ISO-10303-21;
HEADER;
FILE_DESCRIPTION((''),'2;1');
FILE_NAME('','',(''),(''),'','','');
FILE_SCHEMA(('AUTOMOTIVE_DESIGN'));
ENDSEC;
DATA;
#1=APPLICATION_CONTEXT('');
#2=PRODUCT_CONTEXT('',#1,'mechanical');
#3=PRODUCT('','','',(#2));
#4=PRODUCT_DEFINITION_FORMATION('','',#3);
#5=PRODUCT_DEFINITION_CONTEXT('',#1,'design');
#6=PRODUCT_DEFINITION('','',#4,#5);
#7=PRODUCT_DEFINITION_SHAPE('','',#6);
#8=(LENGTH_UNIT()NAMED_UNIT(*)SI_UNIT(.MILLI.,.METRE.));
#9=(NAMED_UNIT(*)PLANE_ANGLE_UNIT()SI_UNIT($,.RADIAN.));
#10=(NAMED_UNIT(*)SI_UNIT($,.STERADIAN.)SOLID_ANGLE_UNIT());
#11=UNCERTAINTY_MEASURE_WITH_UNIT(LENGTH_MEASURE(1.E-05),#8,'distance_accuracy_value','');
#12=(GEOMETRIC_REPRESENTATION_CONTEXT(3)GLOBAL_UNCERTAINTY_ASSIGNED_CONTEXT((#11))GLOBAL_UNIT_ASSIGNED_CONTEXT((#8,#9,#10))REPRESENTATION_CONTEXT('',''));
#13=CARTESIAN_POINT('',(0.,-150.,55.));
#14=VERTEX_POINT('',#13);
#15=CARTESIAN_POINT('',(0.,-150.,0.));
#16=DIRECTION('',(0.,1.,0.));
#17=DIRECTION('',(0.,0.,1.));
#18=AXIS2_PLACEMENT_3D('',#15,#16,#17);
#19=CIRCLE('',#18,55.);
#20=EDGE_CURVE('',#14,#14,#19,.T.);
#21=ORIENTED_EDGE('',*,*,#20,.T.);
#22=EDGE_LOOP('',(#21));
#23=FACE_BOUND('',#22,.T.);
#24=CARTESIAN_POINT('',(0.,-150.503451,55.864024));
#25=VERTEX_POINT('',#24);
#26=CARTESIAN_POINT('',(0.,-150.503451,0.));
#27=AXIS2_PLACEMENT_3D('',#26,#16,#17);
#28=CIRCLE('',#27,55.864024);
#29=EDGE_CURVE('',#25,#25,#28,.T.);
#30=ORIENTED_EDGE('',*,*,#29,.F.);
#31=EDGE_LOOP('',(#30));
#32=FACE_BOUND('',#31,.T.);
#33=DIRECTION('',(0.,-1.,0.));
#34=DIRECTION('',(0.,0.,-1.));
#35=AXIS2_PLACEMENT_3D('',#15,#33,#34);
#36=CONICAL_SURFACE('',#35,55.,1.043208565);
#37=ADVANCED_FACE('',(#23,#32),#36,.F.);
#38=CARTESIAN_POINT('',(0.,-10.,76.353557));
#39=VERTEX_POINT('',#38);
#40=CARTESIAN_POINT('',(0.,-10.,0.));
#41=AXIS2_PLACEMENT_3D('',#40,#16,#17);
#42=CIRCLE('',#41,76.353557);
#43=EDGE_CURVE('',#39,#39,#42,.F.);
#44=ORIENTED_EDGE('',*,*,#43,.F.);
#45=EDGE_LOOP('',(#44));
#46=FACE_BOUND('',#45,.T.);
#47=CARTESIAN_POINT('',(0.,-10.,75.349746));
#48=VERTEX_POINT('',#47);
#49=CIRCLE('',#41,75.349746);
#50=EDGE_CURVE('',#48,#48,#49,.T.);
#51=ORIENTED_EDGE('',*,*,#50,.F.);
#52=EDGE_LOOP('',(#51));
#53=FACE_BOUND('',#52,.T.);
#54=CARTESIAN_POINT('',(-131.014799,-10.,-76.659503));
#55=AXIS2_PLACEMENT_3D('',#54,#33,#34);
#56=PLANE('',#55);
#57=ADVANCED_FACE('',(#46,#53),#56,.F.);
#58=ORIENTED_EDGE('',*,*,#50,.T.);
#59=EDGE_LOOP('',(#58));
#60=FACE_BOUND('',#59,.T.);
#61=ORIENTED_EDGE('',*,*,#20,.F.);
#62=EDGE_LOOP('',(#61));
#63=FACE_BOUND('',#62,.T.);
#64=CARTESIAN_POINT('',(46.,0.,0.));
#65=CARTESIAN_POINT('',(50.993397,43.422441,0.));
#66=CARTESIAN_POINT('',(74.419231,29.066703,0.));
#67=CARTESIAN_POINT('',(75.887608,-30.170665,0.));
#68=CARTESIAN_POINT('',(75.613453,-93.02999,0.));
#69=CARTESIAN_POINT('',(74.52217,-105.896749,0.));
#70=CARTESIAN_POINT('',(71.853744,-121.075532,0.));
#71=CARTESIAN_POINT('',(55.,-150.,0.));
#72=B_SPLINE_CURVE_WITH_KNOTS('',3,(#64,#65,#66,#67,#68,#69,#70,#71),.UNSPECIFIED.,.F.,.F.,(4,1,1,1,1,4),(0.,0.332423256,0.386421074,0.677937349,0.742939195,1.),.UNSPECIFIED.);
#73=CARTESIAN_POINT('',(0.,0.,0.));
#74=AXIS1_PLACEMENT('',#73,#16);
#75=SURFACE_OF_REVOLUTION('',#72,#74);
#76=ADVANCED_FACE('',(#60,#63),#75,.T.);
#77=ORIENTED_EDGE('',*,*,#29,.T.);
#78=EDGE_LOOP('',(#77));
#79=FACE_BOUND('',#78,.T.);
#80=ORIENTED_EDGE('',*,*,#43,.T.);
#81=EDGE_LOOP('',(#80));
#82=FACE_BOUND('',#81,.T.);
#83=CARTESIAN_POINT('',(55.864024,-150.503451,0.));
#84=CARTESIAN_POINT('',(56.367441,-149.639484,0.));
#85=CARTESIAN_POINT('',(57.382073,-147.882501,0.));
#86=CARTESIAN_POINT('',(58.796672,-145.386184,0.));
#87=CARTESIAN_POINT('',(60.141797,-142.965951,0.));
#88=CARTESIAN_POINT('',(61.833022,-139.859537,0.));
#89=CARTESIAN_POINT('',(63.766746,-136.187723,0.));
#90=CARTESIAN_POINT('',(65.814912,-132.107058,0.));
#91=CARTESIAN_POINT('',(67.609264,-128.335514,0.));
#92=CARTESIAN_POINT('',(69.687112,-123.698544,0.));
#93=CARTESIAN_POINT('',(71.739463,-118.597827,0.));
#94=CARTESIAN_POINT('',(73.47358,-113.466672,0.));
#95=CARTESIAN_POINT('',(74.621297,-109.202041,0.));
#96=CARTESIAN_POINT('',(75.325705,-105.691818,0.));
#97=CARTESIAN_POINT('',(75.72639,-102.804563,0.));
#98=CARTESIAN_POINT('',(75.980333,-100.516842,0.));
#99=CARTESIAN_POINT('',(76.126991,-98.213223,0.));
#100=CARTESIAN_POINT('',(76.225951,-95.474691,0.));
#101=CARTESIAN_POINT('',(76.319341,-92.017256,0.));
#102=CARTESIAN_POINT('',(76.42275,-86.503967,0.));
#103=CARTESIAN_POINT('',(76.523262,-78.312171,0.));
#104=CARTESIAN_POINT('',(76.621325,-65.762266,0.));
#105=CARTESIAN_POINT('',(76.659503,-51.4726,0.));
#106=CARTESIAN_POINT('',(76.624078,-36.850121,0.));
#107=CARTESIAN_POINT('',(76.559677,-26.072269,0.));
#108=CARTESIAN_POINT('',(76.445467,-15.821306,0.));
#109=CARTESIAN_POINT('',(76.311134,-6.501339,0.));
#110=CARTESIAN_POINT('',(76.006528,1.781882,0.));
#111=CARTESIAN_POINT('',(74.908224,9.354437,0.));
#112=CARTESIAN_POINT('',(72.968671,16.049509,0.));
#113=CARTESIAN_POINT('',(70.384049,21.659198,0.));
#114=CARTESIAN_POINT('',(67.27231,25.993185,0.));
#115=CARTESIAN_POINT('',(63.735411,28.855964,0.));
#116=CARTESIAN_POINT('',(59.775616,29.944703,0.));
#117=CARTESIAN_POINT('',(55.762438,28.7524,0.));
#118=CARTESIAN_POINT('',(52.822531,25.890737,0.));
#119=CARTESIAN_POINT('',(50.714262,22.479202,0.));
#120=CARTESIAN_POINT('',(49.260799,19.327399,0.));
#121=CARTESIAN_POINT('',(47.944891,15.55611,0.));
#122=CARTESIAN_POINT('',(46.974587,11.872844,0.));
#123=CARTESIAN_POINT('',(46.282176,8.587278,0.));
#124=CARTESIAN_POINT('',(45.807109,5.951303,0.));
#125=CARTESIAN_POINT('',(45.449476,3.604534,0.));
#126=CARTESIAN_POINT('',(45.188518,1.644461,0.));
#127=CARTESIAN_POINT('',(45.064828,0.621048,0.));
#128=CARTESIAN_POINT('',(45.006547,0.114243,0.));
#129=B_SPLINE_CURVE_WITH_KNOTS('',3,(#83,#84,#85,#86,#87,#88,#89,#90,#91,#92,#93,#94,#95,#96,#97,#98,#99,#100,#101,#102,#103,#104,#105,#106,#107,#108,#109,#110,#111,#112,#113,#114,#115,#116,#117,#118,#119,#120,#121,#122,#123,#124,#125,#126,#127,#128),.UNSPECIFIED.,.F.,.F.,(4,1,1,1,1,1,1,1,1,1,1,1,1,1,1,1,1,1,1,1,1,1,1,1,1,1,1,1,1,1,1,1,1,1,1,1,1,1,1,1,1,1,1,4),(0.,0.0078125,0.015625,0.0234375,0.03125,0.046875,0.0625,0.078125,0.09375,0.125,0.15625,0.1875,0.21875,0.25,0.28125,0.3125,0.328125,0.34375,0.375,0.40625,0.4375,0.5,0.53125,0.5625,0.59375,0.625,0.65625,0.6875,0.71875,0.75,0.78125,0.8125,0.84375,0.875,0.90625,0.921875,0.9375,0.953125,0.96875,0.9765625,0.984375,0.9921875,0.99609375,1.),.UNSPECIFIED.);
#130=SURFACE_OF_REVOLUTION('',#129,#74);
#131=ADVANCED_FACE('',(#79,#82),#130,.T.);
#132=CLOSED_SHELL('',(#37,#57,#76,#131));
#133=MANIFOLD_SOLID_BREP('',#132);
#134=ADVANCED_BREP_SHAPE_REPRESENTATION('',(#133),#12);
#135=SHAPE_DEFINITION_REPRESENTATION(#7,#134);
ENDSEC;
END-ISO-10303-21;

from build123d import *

# Parameters (mm, degrees)
CUT_EXTRUDE1_DEPTH      = 186.473263261
CUT_EXTRUDE1_DEPTH_BACK = 186.473263261
SKETCH2_W               = 282.331602344
SKETCH2_H               = 135.803570739


with BuildPart() as part:
    # Sketch1 → Revolve1 (revolve)
    with BuildSketch(Plane.XY, mode=Mode.PRIVATE) as revolve1_sk:
        with BuildLine():
            Line((55, -150), (55.864024026, -150.503450576))
            add(Edge.make_bspline(
                [(45.00654715, 0.114242876), (45.06482757, 0.621047776), (45.18851775, 1.644460519), (45.449476223, 3.604534474), (45.807109076, 5.951302739), (46.282175802, 8.587277687), (46.974586794, 11.87284442), (47.944891454, 15.556110412), (49.260798878, 19.327399197), (50.71426174, 22.479202135), (52.822531276, 25.890737105), (55.762438214, 28.752400148), (59.775616352, 29.944703091), (63.735411013, 28.855964426), (67.272310325, 25.993185479), (70.384049491, 21.659198301), (72.968670827, 16.049508725), (74.908223827, 9.354436921), (76.006528055, 1.781881661), (76.311133894, -6.501339013), (76.445466907, -15.82130644), (76.559676902, -26.07226948), (76.624078217, -36.850121223), (76.659503219, -51.472599903), (76.621324876, -65.762266047), (76.523261527, -78.31217141), (76.422750358, -86.503967208), (76.319341067, -92.017255526), (76.225951493, -95.474691226), (76.126991356, -98.213222787), (75.980332868, -100.516841803), (75.726389583, -102.804562872), (75.32570475, -105.691817603), (74.621297046, -109.202041189), (73.473579764, -113.466672248), (71.73946293, -118.597826519), (69.687111884, -123.698544356), (67.609264094, -128.335514056), (65.814911511, -132.10705832), (63.766745899, -136.187722813), (61.833022305, -139.85953744), (60.141797292, -142.965951038), (58.796671742, -145.386184345), (57.382072923, -147.882500868), (56.367441397, -149.639483537), (55.864024026, -150.503450576)],
                knots=[0, 0, 0, 0, 0.00390625, 0.0078125, 0.015625, 0.0234375, 0.03125, 0.046875, 0.0625, 0.078125, 0.09375, 0.125, 0.15625, 0.1875, 0.21875, 0.25, 0.28125, 0.3125, 0.34375, 0.375, 0.40625, 0.4375, 0.46875, 0.5, 0.5625, 0.59375, 0.625, 0.65625, 0.671875, 0.6875, 0.71875, 0.75, 0.78125, 0.8125, 0.84375, 0.875, 0.90625, 0.921875, 0.9375, 0.953125, 0.96875, 0.9765625, 0.984375, 0.9921875, 1, 1, 1, 1], degree=3))
            Line((45.00654715, 0.114242876), (46, 0))
            add(Edge.make_bspline(
                [(46, 0), (50.9933971, 43.422441349), (74.419231037, 29.066702517), (75.887608065, -30.170664842), (75.613452989, -93.029990368), (74.522170097, -105.896749327), (71.853744098, -121.075532478), (55, -150)],
                knots=[0, 0, 0, 0, 0.332423256, 0.386421074, 0.677937349, 0.742939195, 1, 1, 1, 1], degree=3))
        make_face()
    revolve(revolve1_sk.sketch.rotate(Axis((0, 0, 0), (0, -1, 0)), 90), axis=Axis((0, 0, 0), (0, -1, 0)))

    # Sketch2 → Cut-Extrude1 (cut, two sides: drawn at the far end of the back side and taken through both)
    with BuildSketch(Plane.XY.offset(-CUT_EXTRUDE1_DEPTH_BACK)):
        with Locations((10.151002348, 57.90178537)):
            Rectangle(SKETCH2_W, SKETCH2_H)
    extrude(amount=CUT_EXTRUDE1_DEPTH + CUT_EXTRUDE1_DEPTH_BACK, mode=Mode.SUBTRACT)


solid = part.part
